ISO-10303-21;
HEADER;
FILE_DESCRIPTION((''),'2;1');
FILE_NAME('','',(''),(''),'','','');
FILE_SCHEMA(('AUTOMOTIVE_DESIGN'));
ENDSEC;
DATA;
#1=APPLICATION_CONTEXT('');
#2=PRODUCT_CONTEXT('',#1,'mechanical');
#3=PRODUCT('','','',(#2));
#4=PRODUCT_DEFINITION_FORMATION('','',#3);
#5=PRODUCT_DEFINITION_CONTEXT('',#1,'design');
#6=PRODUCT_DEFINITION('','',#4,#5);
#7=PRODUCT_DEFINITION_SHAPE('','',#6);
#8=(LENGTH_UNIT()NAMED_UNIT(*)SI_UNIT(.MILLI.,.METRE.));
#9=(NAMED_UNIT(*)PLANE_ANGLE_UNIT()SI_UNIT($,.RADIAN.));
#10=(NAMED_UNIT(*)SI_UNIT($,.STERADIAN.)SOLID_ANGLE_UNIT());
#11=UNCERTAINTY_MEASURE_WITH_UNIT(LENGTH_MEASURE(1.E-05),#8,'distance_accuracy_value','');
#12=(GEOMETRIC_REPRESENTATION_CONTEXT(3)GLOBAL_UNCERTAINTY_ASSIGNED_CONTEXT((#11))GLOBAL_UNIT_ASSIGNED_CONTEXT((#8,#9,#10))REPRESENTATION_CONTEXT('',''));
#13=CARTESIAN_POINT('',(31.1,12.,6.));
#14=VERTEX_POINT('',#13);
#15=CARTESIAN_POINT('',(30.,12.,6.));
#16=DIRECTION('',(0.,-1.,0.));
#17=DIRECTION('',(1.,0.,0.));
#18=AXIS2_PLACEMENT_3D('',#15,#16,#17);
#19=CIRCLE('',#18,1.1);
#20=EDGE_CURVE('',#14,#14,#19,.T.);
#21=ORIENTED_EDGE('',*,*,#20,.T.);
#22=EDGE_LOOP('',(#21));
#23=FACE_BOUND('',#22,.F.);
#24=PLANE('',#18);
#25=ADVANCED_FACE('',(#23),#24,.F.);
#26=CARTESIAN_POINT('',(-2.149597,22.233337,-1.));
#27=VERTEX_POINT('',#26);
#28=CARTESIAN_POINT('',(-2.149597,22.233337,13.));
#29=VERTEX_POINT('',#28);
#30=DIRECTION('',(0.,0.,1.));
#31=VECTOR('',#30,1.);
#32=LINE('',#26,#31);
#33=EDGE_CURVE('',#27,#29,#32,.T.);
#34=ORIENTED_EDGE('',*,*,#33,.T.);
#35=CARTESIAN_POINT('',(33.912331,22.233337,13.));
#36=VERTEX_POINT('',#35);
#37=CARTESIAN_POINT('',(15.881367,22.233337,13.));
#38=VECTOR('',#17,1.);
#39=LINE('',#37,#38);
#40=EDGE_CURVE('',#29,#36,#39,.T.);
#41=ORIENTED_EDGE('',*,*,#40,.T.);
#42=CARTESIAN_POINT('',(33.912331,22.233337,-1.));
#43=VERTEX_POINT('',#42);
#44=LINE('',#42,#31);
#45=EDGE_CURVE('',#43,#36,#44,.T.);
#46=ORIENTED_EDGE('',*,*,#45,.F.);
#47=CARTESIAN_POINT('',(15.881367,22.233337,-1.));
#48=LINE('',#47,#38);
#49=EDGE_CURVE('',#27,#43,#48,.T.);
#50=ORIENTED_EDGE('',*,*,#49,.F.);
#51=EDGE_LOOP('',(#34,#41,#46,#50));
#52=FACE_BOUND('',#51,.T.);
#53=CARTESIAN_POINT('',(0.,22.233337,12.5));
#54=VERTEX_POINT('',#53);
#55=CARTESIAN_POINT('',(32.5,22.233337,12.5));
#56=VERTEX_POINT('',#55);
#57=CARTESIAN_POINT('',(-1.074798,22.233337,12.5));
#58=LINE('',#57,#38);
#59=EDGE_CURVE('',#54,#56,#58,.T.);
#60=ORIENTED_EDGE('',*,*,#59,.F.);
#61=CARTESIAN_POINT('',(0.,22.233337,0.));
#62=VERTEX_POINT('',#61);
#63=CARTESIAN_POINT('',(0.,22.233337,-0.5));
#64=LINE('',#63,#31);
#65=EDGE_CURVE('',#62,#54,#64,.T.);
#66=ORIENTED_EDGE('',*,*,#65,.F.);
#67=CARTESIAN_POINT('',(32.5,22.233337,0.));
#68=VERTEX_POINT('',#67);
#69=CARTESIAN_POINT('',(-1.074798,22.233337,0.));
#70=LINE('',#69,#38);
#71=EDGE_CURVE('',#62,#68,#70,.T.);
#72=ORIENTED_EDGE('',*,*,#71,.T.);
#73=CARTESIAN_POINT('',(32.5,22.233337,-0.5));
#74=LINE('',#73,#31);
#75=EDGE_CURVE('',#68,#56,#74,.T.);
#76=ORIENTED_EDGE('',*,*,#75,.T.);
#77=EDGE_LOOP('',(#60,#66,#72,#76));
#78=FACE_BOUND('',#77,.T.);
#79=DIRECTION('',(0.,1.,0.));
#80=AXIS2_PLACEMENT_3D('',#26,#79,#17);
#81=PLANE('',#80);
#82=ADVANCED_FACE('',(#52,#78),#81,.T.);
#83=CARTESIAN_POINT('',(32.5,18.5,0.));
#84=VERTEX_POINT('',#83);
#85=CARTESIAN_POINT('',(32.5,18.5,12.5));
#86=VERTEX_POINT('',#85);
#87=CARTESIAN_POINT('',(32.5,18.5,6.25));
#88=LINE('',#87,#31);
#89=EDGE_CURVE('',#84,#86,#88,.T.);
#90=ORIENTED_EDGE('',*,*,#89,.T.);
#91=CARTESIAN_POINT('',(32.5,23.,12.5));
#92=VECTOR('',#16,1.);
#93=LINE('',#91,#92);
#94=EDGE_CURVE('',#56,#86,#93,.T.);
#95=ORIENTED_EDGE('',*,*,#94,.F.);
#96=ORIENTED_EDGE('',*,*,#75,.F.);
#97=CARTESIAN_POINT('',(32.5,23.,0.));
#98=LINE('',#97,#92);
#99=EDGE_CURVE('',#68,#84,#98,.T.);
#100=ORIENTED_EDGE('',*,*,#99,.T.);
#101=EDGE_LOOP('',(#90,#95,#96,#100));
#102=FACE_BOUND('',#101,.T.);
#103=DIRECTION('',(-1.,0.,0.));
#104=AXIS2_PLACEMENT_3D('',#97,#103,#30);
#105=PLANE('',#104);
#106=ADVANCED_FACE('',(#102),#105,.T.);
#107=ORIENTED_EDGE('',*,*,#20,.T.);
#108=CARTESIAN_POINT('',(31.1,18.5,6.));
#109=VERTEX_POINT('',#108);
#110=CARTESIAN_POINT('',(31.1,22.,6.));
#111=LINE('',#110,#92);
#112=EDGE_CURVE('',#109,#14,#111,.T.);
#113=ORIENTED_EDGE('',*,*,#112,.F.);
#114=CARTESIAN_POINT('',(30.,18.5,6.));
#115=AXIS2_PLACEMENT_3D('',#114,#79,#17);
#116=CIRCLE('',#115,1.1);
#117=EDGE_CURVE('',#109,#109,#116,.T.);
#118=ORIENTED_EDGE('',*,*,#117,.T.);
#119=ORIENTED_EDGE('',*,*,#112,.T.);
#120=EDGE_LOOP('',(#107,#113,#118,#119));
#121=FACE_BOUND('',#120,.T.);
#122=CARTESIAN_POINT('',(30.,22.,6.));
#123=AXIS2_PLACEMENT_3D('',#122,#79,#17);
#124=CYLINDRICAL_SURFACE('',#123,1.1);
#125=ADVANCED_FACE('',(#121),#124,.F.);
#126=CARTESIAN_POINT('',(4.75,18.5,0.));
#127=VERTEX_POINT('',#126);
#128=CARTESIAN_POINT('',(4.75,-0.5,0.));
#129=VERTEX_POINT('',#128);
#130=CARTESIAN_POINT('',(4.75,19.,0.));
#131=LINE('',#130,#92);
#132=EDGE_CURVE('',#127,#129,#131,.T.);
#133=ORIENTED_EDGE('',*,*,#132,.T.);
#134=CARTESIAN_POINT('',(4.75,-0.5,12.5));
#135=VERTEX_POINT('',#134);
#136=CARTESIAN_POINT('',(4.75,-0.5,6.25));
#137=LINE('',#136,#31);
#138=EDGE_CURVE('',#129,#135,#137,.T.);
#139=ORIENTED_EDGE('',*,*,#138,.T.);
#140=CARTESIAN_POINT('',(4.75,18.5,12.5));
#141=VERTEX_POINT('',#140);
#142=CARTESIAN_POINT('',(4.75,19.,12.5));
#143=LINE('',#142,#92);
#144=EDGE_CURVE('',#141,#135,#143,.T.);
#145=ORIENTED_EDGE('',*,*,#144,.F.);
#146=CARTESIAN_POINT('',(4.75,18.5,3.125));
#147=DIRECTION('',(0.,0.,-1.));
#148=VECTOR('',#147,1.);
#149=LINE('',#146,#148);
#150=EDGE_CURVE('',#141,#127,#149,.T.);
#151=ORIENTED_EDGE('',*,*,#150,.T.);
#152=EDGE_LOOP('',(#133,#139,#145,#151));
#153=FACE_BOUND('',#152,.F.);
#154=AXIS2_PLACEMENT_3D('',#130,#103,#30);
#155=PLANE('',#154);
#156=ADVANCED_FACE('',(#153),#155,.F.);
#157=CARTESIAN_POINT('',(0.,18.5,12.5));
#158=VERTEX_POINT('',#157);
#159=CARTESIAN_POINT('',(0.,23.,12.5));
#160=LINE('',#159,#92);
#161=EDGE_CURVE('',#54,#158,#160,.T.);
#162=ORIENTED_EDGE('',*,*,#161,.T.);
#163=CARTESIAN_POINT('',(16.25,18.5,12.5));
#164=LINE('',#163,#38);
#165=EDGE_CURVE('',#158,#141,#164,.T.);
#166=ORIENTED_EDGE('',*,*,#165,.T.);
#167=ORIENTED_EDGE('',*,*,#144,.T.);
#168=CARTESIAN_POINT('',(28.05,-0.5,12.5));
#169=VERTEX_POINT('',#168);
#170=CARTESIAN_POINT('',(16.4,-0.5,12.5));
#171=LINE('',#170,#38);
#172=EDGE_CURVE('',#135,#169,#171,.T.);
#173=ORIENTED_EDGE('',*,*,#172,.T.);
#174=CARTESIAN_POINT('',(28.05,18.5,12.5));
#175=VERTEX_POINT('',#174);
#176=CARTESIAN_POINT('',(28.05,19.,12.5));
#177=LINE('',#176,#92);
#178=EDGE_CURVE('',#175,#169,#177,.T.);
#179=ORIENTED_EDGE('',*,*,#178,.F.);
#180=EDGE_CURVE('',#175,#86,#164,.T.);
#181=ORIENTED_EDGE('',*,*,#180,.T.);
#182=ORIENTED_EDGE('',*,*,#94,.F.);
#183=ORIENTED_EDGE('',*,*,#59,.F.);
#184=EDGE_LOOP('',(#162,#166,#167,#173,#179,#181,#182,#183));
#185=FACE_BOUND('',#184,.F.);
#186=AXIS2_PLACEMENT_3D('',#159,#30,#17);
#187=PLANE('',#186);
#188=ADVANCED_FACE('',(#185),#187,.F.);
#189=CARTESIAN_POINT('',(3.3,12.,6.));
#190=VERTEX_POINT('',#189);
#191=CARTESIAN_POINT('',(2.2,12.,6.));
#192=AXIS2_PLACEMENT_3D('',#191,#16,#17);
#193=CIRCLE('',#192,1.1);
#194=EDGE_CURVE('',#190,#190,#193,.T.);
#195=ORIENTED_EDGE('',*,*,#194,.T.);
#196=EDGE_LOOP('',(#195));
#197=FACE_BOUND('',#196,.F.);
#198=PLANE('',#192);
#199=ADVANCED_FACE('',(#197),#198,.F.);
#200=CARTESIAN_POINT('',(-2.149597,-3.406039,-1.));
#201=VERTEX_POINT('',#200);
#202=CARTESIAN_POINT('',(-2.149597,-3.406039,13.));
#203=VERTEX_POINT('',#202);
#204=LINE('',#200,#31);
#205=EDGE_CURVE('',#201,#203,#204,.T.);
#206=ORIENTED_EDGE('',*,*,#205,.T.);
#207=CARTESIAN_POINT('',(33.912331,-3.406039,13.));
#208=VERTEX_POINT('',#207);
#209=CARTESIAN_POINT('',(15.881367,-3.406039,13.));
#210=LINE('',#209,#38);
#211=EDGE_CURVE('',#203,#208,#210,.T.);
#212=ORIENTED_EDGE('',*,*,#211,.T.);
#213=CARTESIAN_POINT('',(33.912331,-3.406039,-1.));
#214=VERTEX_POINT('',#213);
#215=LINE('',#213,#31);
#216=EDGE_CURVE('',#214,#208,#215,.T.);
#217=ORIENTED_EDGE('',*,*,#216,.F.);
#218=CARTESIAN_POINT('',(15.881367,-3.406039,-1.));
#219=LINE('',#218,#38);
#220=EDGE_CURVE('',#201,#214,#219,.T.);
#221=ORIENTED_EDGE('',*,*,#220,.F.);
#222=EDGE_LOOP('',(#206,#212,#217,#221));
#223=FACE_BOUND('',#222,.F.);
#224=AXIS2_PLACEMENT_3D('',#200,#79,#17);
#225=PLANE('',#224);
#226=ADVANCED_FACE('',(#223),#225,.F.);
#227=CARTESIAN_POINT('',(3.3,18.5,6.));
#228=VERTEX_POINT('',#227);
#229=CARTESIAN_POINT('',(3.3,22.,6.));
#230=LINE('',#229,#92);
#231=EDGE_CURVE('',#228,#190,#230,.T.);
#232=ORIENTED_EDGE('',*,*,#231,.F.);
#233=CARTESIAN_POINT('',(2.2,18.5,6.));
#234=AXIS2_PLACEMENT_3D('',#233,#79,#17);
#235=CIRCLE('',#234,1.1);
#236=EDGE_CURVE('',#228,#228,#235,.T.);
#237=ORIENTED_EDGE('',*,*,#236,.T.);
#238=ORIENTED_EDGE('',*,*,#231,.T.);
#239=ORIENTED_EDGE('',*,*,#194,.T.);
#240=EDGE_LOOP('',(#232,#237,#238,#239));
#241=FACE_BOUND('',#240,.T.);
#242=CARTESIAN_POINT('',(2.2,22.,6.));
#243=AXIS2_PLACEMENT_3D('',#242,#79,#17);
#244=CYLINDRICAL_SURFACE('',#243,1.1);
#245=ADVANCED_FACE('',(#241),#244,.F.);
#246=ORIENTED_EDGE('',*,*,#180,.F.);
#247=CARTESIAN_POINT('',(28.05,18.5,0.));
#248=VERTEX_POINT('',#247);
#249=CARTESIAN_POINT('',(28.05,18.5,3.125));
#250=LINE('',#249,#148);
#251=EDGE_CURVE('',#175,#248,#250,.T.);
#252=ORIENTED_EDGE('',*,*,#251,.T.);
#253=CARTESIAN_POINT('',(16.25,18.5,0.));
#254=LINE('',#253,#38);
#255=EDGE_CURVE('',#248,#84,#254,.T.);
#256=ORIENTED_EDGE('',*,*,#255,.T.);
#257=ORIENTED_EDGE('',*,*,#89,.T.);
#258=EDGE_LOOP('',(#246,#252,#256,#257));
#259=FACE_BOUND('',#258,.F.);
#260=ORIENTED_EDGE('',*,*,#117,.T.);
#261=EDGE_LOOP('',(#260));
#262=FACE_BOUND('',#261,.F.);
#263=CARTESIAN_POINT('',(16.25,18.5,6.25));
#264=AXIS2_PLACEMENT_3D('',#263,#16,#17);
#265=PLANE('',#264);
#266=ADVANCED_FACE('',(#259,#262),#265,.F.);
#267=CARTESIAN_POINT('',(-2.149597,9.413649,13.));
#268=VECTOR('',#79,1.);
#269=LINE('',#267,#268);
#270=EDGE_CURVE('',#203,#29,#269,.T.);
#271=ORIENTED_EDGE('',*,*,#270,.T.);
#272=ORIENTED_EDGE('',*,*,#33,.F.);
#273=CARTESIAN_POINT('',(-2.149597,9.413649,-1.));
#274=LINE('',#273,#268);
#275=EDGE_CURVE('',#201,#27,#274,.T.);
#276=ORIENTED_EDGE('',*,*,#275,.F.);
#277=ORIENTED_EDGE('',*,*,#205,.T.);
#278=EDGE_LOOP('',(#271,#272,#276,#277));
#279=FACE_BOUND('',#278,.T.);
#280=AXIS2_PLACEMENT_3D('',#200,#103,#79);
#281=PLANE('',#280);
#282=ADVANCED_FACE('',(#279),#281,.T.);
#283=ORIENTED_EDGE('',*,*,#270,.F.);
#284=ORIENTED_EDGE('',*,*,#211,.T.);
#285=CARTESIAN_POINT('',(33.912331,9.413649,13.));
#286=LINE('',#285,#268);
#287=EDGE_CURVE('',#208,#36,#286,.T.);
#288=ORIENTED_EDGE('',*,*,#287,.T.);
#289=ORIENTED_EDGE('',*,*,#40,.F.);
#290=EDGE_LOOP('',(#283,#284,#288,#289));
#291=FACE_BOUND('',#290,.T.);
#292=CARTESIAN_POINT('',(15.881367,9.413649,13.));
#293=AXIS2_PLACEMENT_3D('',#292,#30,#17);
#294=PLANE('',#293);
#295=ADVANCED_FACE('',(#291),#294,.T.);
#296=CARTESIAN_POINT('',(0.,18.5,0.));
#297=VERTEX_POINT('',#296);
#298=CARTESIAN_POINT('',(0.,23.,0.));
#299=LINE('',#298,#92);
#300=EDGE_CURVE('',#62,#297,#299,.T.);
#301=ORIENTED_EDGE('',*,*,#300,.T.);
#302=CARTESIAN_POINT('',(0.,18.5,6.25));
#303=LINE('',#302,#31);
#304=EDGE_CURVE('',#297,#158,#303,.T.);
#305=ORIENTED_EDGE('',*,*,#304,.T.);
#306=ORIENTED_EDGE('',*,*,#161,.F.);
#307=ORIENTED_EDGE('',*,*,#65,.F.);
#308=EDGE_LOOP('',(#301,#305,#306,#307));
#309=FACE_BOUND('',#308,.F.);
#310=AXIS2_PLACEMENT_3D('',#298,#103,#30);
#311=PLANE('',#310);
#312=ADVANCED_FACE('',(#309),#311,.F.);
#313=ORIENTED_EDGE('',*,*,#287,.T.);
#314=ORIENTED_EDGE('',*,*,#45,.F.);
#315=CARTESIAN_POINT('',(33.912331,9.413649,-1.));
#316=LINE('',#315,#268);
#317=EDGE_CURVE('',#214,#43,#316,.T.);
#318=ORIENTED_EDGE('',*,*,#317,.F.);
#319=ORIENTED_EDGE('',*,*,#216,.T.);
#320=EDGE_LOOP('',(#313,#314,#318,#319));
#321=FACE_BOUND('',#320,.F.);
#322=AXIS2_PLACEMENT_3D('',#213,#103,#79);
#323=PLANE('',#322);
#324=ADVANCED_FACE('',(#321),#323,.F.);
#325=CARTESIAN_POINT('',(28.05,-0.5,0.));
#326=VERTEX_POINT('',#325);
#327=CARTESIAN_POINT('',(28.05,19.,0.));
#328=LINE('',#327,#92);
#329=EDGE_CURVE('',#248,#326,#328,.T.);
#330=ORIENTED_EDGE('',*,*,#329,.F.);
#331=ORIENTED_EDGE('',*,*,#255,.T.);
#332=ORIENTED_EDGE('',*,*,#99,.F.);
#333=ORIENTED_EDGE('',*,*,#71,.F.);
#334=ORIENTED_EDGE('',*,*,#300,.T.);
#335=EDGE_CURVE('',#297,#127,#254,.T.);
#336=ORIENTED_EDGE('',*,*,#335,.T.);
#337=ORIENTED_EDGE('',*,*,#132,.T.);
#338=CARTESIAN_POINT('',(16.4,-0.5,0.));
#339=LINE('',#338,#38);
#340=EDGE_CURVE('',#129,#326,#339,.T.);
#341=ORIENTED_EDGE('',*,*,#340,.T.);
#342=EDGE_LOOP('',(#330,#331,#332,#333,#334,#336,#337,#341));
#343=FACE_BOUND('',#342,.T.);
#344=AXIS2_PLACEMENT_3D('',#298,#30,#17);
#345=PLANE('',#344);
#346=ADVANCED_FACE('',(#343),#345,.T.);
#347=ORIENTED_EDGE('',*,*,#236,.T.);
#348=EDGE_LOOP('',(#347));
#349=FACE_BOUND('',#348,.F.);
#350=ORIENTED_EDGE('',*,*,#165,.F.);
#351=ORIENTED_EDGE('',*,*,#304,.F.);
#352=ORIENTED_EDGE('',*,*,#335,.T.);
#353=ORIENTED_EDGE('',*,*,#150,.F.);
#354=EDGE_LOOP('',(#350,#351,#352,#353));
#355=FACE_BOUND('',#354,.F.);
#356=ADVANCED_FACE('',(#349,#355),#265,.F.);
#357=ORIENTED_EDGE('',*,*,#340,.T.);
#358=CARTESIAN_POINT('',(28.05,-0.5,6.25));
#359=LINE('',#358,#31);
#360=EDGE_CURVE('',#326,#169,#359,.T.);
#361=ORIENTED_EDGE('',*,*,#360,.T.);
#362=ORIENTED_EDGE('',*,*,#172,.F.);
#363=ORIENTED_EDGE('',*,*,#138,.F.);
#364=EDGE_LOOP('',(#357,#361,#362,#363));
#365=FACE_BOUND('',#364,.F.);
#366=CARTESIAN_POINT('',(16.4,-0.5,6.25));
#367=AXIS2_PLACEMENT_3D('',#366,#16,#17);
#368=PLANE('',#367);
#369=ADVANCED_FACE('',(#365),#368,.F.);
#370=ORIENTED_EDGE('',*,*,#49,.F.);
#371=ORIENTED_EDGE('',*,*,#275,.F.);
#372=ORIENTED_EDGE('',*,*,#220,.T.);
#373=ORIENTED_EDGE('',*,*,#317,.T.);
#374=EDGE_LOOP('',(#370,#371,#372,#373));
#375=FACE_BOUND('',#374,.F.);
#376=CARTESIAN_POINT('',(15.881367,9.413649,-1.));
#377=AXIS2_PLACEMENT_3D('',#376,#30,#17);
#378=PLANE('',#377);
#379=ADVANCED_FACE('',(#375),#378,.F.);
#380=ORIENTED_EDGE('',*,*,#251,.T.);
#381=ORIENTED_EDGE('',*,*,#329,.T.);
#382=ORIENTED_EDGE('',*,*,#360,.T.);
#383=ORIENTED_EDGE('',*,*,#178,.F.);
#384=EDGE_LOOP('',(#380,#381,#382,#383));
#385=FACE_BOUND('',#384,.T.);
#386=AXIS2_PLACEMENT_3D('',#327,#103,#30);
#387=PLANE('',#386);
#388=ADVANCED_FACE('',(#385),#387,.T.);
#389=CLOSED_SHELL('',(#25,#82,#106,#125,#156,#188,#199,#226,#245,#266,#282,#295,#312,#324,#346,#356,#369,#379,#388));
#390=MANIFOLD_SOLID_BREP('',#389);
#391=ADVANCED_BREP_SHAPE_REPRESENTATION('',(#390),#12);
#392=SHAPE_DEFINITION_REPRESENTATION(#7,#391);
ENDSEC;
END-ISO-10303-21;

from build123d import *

# Parameters (mm, degrees)
CYLINDER004_R     = 1.1
CYLINDER004_DEPTH = 10
CYLINDER005_R     = 1.1
CYLINDER005_DEPTH = 10
SKETCH007_W       = 23.3
SKETCH007_H       = 12.5
PAD007_DEPTH      = 19.5
SKETCH005_W       = 32.5
SKETCH005_H       = 12.5
PAD006_DEPTH      = 4.5
SKETCH006_W       = 36.061928
SKETCH006_H       = 25.639376
PAD005_DEPTH      = 14


with BuildPart() as cylinder004:
    # Cylinder004 → Cylinder004 (new body)
    with BuildSketch(Plane(origin=(30, 22, 6), x_dir=(1, 0, 0), z_dir=(0, -1, 0))):
        Circle(CYLINDER004_R)
    extrude(amount=CYLINDER004_DEPTH)


with BuildPart() as tornillossoporteservohollo001:
    # Cylinder005 → Cylinder005 (new body)
    with BuildSketch(Plane(origin=(2.2, 22, 6), x_dir=(1, 0, 0), z_dir=(0, -1, 0))):
        Circle(CYLINDER005_R)
    extrude(amount=CYLINDER005_DEPTH)

    # Fusion003: union Cylinder004
    add(cylinder004.part)


with BuildPart() as cortecuerpo001:
    # Sketch007 → Pad007 (new body)
    with BuildSketch(Plane.XZ):
        with Locations((16.4, 6.25)):
            Rectangle(SKETCH007_W, SKETCH007_H)
    extrude(amount=PAD007_DEPTH)


with BuildPart() as cortecuerpo001_1:
    # Body009 placement: moved
    add(cortecuerpo001.part.moved(Location((0, 19, 0))))


with BuildPart() as cortetornillos001:
    # Sketch005 → Pad006 (new body)
    with BuildSketch(Plane.XZ):
        with Locations((16.25, 6.25)):
            Rectangle(SKETCH005_W, SKETCH005_H)
    extrude(amount=PAD006_DEPTH)


with BuildPart() as cortetornillos001_1:
    # Body008 placement: moved
    add(cortetornillos001.part.moved(Location((0, 23, 0))))


with BuildPart() as soporteservocajamg90s:
    # Sketch006 → Pad005 (new body)
    with BuildSketch(Plane.XY):
        with Locations((15.881367, 9.413649)):
            Rectangle(SKETCH006_W, SKETCH006_H)
    extrude(amount=PAD005_DEPTH)


with BuildPart() as soporteservocajamg90s_1:
    # Body007 placement: moved
    add(soporteservocajamg90s.part.moved(Location((0, 0, -1))))

    # Cut003: cut CorteTornillos001
    add(cortetornillos001_1.part, mode=Mode.SUBTRACT)

    # Cut004: cut CorteCuerpo001
    add(cortecuerpo001_1.part, mode=Mode.SUBTRACT)

    # Cut005: cut tornillosSoporteServoHollo001
    add(tornillossoporteservohollo001.part, mode=Mode.SUBTRACT)


solid = soporteservocajamg90s_1.part
